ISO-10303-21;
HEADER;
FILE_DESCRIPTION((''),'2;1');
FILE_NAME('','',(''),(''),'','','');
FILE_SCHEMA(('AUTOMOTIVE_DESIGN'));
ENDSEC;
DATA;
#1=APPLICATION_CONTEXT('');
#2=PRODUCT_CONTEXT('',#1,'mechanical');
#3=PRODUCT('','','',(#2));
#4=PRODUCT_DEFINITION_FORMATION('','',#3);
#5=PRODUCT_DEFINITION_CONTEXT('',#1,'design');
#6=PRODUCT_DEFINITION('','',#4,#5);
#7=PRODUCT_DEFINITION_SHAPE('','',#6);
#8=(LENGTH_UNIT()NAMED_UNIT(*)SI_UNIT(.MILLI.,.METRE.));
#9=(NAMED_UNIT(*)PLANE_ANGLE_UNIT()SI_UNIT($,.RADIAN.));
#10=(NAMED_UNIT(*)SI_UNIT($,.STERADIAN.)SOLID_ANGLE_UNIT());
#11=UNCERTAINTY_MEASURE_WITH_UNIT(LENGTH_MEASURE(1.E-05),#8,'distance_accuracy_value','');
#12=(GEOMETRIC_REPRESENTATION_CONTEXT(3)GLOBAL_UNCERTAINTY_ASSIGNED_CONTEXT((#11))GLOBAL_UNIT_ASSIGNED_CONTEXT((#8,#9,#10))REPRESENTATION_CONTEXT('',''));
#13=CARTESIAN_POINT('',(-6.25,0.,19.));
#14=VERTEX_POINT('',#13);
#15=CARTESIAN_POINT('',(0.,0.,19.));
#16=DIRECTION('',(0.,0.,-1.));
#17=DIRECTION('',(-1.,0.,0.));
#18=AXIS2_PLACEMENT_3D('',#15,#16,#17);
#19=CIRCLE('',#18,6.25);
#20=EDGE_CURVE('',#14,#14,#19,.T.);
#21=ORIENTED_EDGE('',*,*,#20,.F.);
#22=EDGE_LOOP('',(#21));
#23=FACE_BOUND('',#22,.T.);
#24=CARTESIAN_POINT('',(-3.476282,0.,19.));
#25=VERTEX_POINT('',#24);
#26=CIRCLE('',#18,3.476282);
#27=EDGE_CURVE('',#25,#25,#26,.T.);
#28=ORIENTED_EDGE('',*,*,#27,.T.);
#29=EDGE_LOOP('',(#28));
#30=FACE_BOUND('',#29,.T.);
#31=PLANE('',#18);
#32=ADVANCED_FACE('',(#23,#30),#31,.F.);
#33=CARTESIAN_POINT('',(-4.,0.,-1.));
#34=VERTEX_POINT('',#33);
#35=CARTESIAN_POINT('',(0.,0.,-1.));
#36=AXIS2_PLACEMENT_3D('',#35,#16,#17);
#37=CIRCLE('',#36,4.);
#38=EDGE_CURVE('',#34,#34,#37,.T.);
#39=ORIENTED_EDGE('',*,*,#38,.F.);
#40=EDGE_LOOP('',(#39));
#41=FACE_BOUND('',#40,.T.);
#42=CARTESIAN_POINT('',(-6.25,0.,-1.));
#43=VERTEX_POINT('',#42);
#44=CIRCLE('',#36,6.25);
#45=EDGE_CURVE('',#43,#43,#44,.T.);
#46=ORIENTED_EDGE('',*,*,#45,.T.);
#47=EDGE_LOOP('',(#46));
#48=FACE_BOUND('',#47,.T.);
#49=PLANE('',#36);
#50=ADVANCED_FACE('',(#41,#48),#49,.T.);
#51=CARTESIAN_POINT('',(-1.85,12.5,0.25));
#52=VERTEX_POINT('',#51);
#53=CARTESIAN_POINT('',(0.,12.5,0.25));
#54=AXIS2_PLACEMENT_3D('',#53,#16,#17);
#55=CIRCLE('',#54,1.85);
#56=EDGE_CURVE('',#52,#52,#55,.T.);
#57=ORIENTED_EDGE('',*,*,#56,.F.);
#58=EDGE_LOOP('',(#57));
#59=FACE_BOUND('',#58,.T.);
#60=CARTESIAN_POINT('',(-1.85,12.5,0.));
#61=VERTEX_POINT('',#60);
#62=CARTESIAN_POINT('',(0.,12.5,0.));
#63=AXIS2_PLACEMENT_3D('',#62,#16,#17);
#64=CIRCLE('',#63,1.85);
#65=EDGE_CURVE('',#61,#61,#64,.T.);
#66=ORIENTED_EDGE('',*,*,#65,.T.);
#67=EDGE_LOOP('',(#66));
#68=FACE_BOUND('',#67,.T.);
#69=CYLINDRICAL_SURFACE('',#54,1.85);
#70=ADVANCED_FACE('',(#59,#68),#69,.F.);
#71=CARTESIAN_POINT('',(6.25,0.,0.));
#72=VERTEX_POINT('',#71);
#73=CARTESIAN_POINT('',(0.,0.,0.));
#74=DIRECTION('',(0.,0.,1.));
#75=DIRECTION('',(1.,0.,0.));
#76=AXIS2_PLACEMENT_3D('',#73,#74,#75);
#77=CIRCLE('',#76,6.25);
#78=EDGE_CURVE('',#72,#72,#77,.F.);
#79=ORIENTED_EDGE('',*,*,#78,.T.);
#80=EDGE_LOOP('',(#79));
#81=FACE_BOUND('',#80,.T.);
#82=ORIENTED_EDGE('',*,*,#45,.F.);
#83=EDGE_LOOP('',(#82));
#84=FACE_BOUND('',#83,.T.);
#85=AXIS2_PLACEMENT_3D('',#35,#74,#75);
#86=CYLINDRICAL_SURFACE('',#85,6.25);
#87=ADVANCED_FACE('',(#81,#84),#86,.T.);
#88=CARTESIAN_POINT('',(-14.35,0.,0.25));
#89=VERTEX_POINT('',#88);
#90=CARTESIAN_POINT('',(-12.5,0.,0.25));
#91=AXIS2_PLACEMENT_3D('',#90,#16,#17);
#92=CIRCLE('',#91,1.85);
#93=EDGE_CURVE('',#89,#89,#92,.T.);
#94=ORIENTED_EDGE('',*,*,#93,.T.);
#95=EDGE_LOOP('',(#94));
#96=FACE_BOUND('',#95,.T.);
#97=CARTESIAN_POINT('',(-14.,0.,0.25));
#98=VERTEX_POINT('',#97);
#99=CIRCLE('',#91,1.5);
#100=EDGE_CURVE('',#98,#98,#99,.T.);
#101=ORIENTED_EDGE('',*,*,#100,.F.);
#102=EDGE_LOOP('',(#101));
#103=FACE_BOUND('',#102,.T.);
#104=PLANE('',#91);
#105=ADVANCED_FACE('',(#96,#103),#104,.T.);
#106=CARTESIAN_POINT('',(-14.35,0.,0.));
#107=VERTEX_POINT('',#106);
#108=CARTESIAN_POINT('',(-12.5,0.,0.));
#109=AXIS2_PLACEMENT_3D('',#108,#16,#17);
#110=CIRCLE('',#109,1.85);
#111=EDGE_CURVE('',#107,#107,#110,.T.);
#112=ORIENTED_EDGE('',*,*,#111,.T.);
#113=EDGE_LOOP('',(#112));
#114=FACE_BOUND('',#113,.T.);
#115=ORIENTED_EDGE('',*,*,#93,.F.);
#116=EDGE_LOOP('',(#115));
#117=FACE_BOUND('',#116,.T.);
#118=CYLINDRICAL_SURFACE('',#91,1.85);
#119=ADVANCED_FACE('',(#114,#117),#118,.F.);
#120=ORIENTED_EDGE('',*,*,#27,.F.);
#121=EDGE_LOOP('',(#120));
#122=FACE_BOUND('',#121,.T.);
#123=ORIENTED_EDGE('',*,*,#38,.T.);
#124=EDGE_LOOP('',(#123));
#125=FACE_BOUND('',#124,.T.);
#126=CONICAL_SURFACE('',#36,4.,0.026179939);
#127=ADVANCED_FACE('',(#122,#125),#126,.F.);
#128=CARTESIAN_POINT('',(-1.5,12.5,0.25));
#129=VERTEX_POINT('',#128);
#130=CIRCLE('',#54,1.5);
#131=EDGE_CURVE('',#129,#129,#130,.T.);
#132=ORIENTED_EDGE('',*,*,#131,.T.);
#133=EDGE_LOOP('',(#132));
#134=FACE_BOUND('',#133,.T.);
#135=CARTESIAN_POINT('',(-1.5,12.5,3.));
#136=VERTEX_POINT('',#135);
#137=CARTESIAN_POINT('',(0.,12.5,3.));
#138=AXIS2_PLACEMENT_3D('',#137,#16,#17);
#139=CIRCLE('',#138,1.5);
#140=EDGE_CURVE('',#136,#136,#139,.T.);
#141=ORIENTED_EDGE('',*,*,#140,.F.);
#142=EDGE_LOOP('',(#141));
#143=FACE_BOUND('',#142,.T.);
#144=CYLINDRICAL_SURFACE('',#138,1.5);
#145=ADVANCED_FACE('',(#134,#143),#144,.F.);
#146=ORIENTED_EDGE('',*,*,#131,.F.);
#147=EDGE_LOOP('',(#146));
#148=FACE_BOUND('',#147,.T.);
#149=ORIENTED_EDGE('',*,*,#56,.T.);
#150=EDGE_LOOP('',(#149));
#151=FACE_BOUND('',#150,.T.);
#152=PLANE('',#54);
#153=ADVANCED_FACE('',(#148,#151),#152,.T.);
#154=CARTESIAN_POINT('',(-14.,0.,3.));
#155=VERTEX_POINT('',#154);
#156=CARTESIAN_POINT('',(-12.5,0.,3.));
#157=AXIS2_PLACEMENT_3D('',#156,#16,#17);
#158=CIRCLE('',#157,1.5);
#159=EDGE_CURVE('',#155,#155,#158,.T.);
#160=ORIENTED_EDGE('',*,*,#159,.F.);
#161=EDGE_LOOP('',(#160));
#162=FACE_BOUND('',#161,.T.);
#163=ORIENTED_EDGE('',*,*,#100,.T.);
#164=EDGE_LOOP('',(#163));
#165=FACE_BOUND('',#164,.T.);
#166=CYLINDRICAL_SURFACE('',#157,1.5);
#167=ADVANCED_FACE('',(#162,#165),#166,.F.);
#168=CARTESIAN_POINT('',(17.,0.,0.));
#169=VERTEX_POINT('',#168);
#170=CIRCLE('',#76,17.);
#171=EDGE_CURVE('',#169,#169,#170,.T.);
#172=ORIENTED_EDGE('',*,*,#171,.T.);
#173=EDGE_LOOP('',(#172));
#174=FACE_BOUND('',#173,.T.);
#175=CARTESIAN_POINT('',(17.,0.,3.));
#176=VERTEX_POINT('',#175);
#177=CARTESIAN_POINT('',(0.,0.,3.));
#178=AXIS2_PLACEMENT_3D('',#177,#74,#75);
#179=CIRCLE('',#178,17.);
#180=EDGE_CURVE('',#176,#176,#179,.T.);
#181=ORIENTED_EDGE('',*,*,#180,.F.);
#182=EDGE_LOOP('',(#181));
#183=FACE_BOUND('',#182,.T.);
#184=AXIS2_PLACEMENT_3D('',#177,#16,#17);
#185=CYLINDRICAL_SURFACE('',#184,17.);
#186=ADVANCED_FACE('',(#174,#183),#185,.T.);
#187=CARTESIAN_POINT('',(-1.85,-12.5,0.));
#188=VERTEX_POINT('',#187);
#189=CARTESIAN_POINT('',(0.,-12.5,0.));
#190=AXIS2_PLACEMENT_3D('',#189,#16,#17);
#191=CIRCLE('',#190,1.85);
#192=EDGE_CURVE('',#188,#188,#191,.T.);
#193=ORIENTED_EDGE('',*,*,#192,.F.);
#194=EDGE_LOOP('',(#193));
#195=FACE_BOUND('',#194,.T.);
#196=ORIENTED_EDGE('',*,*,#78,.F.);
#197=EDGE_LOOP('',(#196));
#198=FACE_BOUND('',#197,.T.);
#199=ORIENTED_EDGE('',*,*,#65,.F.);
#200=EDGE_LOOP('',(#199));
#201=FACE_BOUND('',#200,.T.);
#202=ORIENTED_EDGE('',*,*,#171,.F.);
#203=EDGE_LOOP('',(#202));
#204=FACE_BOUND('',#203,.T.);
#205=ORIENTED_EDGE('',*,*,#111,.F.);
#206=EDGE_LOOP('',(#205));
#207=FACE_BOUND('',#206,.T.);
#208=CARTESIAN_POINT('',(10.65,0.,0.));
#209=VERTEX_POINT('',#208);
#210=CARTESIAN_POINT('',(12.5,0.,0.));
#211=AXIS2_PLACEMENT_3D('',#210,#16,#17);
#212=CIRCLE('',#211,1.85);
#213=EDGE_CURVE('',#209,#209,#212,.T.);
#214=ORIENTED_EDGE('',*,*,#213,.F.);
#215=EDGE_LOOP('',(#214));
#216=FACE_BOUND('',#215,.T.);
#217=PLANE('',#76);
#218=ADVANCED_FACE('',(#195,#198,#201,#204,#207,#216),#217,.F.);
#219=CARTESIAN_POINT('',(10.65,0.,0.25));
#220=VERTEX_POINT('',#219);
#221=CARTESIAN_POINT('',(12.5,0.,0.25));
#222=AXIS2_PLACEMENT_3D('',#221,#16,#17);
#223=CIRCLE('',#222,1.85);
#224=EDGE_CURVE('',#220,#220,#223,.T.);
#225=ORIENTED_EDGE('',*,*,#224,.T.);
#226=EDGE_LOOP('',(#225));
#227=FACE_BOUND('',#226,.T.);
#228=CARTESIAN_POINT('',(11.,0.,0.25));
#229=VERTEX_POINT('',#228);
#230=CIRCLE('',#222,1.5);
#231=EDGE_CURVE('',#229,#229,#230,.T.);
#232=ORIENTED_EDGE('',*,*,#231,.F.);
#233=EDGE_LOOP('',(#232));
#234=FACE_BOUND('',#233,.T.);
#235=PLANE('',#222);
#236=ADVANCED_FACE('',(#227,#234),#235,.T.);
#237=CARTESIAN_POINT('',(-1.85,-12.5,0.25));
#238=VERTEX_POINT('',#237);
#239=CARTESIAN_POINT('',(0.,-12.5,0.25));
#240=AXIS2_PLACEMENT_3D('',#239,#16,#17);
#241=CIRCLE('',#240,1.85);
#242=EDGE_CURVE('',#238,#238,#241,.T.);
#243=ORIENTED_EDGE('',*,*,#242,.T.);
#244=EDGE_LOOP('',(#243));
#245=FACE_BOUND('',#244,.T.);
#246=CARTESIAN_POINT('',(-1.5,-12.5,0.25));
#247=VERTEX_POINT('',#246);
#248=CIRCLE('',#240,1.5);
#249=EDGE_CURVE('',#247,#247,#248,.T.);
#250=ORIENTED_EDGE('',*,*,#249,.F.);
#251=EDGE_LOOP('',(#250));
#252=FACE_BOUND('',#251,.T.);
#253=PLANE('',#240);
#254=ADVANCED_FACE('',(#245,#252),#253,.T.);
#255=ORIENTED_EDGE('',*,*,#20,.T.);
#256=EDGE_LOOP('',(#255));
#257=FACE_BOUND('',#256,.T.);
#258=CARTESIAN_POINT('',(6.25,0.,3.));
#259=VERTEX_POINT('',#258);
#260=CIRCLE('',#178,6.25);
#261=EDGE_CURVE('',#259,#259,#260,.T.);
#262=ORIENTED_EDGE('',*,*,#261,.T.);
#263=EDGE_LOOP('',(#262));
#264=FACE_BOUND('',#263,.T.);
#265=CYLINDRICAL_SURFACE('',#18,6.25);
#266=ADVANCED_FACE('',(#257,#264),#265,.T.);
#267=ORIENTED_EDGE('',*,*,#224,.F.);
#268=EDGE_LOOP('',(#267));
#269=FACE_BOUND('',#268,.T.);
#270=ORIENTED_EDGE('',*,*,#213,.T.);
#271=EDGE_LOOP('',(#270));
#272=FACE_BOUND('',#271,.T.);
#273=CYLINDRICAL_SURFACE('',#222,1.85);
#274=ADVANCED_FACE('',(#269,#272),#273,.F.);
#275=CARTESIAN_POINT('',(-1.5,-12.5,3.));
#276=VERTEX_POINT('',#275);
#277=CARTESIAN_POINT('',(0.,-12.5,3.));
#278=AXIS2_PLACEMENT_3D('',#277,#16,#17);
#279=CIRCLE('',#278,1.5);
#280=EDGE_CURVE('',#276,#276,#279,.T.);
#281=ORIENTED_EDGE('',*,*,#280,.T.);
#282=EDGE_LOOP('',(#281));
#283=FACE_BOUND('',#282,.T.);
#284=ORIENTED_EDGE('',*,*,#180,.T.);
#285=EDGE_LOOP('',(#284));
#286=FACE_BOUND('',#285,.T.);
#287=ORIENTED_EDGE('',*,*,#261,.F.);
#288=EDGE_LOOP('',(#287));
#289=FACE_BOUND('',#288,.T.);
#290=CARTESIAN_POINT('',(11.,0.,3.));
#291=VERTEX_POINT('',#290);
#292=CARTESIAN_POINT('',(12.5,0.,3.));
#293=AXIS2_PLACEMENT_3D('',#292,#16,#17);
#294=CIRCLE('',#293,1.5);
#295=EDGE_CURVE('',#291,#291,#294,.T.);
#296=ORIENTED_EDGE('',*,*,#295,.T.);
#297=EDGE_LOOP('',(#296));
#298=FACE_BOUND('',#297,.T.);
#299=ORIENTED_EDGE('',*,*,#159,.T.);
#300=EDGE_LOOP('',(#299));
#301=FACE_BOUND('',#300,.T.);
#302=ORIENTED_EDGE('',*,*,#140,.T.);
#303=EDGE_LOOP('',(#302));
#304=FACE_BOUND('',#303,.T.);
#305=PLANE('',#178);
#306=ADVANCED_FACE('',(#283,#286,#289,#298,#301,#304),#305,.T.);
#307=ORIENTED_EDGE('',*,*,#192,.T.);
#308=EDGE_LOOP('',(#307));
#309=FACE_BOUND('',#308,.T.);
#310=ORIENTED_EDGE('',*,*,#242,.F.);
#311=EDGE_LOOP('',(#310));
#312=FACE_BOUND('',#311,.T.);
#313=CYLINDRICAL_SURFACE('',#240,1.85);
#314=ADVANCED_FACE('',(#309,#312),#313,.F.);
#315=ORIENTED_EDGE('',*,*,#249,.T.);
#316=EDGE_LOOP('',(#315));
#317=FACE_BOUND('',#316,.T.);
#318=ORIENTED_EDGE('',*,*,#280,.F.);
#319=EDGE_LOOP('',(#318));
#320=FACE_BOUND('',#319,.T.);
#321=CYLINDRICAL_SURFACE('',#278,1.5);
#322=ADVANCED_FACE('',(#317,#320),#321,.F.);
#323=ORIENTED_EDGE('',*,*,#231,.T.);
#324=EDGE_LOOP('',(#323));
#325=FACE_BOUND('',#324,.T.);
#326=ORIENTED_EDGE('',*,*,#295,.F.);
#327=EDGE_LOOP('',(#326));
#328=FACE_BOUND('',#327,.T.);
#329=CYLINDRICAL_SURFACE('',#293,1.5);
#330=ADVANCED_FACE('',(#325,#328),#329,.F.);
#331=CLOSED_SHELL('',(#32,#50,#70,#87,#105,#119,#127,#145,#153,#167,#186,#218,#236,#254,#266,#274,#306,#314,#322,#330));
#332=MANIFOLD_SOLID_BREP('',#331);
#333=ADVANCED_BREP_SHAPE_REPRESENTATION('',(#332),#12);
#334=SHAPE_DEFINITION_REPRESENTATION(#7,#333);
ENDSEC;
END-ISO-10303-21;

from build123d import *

# Parameters (mm, degrees)
SKETCH1_R           = 17
BOSS_EXTRUDE1_DEPTH = 3
SKETCH2_R           = 1.5
CUT_EXTRUDE1_DEPTH  = 25.228082879
SKETCH3_R           = 6.25
BOSS_EXTRUDE2_DEPTH = 1
BOSS_EXTRUDE3_START = -20
SKETCH5_R           = 6.25
BOSS_EXTRUDE3_DEPTH = 20
SKETCH6_R           = 4
CUT_EXTRUDE2_DEPTH  = 32.272991542
CUT_EXTRUDE2_DRAFT  = -1.5
SKETCH7_R           = 1.85
SKETCH7_R_2         = 1.5
CUT_EXTRUDE3_DEPTH  = 0.25


with BuildPart() as part:
    # Sketch1 → Boss-Extrude1 (new body)
    with BuildSketch(Plane.XY):
        Circle(SKETCH1_R)
    extrude(amount=BOSS_EXTRUDE1_DEPTH)

    # Sketch2 → Cut-Extrude1 (cut, through all)
    with BuildSketch(Plane(origin=(0, 0, 0), x_dir=(-1, 0, 0), z_dir=(0, 0, -1))):
        with Locations((0, 12.5)):
            Circle(SKETCH2_R)
        with Locations((12.5, 0)):
            Circle(SKETCH2_R)
        with Locations((0, -12.5)):
            Circle(SKETCH2_R)
        with Locations((-12.5, 0)):
            Circle(SKETCH2_R)
    extrude(amount=-CUT_EXTRUDE1_DEPTH, mode=Mode.SUBTRACT)

    # Sketch3 → Boss-Extrude2 (add)
    with BuildSketch(Plane(origin=(0, 0, 0), x_dir=(-1, 0, 0), z_dir=(0, 0, -1))):
        with Locations(Location((0, 0, 0), (0, 0, 180))):
            Circle(SKETCH3_R)
    extrude(amount=BOSS_EXTRUDE2_DEPTH)

    # Sketch5 → Boss-Extrude3 (add)
    with BuildSketch(Plane(origin=(0, 0, -1), x_dir=(-1, 0, 0), z_dir=(0, 0, -1)).offset(BOSS_EXTRUDE3_START)):
        with Locations(Location((0, 0, 0), (0, 0, 180))):
            Circle(SKETCH5_R)
    extrude(amount=BOSS_EXTRUDE3_DEPTH)


with BuildPart() as cut_extrude2_tool:
    # Sketch6 → Cut-Extrude2 (with draft: the straight prism first)
    with BuildSketch(Plane(origin=(0, 0, -1), x_dir=(-1, 0, 0), z_dir=(0, 0, -1))):
        Circle(SKETCH6_R)
    extrude(amount=-CUT_EXTRUDE2_DEPTH)
    # Cut-Extrude2: the draft: its side faces are tilted about the plane it starts from
    cut_extrude2_sides = [cut_extrude2_tool.faces().sort_by_distance(p)[0] for p in [
        (4, 0, 15.136495771),
    ]]
    draft(cut_extrude2_sides, Plane(origin=(0, 0, -1), x_dir=(-1, 0, 0), z_dir=(0, 0, -1)), CUT_EXTRUDE2_DRAFT)


with BuildPart() as part_1:
    add(part.part)

    # Cut-Extrude2: cut by cut_extrude2_tool
    add(cut_extrude2_tool.part, mode=Mode.SUBTRACT)

    # Sketch7 → Cut-Extrude3 (cut)
    # profile 1 of 4: a face of its own
    with BuildSketch(Plane(origin=(0, 0, 0), x_dir=(-1, 0, 0), z_dir=(0, 0, -1))):
        with Locations((0, 12.5)):
            Circle(SKETCH7_R)
        with Locations((0, 12.5)):
            Circle(SKETCH7_R_2, mode=Mode.SUBTRACT)
    # profile 2 of 4: a face of its own
    with BuildSketch(Plane(origin=(0, 0, 0), x_dir=(-1, 0, 0), z_dir=(0, 0, -1))):
        with Locations((12.5, 0)):
            Circle(SKETCH7_R)
        with Locations((12.5, 0)):
            Circle(SKETCH7_R_2, mode=Mode.SUBTRACT)
    # profile 3 of 4: a face of its own
    with BuildSketch(Plane(origin=(0, 0, 0), x_dir=(-1, 0, 0), z_dir=(0, 0, -1))):
        with Locations((0, -12.5)):
            Circle(SKETCH7_R)
        with Locations((0, -12.5)):
            Circle(SKETCH7_R_2, mode=Mode.SUBTRACT)
    # profile 4 of 4: a face of its own
    with BuildSketch(Plane(origin=(0, 0, 0), x_dir=(-1, 0, 0), z_dir=(0, 0, -1))):
        with Locations((-12.5, 0)):
            Circle(SKETCH7_R)
        with Locations((-12.5, 0)):
            Circle(SKETCH7_R_2, mode=Mode.SUBTRACT)
    extrude(amount=-CUT_EXTRUDE3_DEPTH, mode=Mode.SUBTRACT)


solid = part_1.part
